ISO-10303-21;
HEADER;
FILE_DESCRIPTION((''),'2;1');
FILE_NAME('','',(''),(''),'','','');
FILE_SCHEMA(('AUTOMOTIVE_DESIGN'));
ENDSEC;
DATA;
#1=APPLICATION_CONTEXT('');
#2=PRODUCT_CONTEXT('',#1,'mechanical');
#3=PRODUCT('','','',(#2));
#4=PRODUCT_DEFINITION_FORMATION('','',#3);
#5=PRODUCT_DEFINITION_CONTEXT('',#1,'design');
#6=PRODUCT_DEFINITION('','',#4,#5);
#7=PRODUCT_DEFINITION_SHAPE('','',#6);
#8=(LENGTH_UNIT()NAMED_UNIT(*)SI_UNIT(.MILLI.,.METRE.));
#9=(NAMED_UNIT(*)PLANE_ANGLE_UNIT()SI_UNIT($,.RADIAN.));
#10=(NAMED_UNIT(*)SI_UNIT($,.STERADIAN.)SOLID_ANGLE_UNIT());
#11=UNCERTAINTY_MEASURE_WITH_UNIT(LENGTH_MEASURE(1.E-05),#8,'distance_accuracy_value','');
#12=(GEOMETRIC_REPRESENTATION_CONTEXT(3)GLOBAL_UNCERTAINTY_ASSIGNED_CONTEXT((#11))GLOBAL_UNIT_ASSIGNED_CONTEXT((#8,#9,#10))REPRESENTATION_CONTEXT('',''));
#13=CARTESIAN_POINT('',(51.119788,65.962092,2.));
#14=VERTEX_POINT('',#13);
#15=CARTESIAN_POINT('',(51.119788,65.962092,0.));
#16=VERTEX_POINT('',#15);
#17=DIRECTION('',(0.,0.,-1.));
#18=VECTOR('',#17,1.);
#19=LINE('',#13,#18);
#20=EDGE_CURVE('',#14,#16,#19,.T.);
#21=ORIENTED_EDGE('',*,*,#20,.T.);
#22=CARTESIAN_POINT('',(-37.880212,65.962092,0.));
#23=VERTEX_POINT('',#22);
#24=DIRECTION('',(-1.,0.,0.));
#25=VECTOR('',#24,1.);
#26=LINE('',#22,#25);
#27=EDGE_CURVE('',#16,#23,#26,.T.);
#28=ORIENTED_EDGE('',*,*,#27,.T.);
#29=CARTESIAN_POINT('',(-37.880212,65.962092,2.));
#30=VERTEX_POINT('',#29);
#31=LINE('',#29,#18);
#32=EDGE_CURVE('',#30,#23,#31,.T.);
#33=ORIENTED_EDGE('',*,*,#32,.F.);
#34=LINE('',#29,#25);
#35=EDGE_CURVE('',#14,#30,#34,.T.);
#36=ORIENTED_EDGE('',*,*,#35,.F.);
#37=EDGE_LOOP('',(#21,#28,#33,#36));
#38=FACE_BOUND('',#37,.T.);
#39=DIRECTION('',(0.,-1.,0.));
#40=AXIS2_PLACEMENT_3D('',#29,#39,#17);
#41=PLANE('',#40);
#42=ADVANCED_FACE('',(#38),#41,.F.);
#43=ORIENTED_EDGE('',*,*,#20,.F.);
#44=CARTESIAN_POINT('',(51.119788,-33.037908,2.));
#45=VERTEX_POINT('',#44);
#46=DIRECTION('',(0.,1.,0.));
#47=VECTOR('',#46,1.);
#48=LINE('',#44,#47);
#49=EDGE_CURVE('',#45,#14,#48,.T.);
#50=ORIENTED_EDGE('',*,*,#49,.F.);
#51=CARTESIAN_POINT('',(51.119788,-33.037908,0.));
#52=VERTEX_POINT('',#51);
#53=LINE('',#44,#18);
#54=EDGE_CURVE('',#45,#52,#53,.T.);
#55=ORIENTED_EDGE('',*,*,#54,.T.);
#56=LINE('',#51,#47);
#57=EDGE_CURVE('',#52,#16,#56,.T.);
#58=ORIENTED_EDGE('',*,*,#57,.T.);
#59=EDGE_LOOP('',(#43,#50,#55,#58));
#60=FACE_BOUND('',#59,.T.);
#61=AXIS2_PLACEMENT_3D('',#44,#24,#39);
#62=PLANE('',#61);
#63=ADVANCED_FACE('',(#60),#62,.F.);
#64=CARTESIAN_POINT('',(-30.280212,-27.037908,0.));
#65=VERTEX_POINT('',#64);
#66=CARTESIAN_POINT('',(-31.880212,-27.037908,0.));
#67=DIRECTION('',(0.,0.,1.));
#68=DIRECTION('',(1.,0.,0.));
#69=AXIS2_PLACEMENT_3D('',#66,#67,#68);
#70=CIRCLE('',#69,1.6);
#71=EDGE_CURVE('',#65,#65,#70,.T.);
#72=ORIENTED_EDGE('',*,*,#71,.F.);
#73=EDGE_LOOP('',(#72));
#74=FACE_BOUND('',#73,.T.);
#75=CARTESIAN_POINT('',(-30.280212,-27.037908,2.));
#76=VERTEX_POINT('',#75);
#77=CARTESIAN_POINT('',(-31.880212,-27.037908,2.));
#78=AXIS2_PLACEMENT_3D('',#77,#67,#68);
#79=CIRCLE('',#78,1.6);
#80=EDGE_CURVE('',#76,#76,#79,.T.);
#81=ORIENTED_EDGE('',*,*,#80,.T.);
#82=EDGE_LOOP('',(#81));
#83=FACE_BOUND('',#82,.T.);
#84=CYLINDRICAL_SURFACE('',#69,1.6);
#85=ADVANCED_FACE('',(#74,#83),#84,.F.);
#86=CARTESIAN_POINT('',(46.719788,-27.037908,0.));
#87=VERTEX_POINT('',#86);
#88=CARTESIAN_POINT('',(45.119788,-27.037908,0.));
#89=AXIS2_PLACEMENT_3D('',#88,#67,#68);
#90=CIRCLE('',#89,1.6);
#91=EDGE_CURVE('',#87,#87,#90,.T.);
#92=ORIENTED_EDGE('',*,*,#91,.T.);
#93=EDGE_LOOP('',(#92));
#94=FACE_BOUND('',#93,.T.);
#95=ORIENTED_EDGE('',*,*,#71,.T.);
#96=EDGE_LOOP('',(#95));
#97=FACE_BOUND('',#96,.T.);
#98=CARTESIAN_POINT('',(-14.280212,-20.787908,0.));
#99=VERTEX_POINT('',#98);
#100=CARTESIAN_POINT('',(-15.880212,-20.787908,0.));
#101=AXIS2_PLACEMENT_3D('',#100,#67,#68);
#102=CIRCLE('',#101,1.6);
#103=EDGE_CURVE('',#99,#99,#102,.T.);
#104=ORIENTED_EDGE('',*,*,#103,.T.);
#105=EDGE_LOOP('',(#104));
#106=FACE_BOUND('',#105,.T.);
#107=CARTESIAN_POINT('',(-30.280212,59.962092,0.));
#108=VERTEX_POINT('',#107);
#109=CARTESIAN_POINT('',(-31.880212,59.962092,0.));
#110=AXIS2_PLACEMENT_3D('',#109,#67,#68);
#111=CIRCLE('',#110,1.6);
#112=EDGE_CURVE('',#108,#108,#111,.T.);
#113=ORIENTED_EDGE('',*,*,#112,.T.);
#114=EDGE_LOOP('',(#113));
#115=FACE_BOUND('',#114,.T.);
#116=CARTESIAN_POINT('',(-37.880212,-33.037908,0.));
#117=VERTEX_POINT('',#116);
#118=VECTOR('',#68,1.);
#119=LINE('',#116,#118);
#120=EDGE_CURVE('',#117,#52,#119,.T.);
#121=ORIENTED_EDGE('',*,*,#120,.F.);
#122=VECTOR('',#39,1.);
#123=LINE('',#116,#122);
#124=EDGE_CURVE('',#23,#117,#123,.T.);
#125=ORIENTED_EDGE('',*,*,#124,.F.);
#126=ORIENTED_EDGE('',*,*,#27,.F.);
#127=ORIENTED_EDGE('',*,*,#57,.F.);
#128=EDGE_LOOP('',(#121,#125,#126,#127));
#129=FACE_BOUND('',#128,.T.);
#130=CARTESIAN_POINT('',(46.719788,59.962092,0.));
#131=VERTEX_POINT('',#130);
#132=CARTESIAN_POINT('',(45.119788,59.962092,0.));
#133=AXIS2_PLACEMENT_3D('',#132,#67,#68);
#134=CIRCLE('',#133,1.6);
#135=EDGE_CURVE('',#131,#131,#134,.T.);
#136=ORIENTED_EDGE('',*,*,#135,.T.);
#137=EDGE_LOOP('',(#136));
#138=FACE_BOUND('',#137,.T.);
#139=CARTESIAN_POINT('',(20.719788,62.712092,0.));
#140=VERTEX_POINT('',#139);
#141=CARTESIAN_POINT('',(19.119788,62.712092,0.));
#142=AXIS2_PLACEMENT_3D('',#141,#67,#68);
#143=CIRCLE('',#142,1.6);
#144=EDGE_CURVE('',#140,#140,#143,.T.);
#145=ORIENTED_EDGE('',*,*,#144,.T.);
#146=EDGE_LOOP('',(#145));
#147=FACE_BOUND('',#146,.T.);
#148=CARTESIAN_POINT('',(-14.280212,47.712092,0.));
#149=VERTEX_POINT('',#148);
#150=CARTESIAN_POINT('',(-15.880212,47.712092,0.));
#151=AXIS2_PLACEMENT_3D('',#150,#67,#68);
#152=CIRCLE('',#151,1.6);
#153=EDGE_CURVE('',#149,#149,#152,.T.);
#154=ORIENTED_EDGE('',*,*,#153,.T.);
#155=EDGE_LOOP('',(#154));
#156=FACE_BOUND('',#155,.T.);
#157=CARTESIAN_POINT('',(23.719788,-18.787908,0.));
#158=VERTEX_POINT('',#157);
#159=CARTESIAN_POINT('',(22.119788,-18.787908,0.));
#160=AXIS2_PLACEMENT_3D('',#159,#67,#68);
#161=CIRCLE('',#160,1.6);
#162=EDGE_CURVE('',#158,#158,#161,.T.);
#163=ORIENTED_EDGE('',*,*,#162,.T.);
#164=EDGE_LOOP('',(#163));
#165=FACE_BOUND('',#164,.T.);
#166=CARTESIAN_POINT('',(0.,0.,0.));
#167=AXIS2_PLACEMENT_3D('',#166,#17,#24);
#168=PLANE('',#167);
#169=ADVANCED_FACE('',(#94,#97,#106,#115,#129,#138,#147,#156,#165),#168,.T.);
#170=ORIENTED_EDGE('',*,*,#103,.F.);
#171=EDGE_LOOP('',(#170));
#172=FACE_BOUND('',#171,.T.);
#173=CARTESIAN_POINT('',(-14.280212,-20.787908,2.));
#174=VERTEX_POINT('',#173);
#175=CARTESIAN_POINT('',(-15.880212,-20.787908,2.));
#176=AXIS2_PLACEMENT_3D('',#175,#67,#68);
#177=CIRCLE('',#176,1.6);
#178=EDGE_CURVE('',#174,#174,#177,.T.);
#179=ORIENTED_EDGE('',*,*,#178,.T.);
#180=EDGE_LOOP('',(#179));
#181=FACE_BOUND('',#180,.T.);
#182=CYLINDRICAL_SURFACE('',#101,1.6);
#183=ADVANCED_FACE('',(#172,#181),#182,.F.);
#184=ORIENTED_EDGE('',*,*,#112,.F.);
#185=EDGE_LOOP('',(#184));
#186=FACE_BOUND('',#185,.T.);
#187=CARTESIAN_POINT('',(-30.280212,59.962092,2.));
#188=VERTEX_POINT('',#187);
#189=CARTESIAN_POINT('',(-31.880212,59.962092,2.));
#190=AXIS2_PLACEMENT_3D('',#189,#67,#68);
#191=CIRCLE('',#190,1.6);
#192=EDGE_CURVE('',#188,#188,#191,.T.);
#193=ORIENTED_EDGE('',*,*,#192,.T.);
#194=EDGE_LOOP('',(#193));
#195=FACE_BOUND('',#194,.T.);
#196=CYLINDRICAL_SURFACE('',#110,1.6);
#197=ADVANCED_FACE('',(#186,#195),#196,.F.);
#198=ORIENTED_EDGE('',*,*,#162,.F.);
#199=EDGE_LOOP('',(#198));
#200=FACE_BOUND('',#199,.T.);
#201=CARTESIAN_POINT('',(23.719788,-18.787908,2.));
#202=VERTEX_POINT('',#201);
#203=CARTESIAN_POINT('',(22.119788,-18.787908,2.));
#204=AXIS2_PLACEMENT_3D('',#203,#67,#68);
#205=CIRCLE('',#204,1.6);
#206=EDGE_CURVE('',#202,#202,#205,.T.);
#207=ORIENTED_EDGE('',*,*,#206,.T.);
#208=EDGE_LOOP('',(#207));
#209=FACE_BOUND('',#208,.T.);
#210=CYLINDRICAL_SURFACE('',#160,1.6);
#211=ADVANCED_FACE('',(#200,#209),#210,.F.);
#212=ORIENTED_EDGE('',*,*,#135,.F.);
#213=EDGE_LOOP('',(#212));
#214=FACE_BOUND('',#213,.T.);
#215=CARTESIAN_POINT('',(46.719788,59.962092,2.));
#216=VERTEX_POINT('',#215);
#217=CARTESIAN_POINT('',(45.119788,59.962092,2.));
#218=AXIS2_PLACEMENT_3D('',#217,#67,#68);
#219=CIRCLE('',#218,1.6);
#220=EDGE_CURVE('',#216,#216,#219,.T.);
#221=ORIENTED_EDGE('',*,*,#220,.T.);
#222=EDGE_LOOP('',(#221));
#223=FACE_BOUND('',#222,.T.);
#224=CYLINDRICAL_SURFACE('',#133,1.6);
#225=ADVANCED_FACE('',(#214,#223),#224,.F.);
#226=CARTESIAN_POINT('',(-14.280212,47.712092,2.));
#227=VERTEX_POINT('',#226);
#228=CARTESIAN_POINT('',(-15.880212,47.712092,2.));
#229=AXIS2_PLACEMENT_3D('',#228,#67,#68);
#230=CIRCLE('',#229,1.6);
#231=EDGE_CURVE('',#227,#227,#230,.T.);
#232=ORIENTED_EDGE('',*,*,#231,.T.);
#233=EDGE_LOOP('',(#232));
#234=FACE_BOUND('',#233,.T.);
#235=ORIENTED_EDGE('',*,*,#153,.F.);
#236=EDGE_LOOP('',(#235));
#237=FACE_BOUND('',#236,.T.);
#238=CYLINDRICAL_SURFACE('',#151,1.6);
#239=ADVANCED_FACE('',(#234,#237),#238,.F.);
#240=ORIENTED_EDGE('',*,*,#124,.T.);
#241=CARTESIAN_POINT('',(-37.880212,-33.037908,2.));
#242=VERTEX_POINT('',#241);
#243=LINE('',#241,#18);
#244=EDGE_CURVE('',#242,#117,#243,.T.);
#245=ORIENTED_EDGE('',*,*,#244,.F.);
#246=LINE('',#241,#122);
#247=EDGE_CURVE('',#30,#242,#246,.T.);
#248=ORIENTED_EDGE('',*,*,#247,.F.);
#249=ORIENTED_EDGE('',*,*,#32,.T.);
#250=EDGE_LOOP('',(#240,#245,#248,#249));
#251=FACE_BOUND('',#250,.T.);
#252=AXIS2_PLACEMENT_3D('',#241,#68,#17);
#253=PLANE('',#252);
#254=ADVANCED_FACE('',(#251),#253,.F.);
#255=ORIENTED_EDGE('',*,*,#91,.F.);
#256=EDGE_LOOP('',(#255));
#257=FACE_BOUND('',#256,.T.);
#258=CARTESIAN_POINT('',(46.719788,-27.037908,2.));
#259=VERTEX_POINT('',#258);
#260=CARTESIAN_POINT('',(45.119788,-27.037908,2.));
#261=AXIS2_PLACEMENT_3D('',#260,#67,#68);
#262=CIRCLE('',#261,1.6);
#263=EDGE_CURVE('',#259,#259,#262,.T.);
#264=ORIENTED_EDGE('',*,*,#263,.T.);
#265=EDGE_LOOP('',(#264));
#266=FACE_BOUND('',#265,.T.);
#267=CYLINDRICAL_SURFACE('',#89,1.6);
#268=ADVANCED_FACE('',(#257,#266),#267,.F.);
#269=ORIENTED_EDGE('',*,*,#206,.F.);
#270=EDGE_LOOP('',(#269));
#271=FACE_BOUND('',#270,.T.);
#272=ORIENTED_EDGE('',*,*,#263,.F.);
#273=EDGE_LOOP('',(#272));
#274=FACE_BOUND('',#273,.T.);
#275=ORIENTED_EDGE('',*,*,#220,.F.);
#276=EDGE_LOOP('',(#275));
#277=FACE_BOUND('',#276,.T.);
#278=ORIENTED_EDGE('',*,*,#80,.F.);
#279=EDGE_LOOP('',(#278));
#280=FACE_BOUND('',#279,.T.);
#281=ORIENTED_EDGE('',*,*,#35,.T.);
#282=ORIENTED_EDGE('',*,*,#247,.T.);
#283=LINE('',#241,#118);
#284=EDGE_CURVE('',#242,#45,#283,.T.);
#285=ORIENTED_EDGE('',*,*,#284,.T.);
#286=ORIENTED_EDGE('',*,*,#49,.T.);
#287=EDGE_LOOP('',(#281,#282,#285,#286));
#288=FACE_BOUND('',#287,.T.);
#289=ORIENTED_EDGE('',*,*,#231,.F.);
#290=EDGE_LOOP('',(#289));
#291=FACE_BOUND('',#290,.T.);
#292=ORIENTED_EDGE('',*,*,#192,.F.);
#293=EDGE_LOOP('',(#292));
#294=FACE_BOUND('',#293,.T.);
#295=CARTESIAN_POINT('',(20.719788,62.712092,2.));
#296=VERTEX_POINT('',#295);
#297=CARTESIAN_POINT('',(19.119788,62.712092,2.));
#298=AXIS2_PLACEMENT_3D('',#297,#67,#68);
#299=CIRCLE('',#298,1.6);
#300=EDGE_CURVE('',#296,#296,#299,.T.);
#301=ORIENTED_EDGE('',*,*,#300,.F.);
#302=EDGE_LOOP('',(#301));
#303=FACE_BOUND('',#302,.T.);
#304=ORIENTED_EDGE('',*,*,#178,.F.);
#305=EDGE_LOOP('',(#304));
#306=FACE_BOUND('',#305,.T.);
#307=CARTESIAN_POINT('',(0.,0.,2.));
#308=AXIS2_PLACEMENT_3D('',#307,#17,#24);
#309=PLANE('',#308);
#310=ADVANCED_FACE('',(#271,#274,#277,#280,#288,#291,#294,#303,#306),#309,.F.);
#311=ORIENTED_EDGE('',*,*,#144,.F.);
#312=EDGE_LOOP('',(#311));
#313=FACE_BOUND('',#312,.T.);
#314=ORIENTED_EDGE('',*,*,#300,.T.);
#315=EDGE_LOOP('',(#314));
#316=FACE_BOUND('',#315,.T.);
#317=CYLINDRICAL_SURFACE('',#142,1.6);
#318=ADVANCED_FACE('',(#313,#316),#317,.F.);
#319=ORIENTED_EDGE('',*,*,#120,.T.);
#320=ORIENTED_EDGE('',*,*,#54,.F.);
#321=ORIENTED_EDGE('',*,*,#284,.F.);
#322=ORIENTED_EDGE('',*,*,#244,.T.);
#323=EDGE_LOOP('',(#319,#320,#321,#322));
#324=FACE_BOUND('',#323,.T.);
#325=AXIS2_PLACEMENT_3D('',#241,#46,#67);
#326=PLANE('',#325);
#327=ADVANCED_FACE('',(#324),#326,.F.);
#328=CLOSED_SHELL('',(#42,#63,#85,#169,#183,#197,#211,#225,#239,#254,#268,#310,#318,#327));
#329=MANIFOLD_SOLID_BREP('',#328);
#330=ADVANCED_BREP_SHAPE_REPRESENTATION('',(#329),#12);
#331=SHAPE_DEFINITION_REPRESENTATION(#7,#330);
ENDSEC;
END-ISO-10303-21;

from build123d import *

# Parameters (mm, degrees)
SKETCH1_W           = 89
SKETCH1_H           = 99
BOSS_EXTRUDE1_DEPTH = 2
SKETCH2_R           = 1.6
CUT_EXTRUDE1_DEPTH  = 84.475926876
SKETCH3_R           = 1.6
CUT_EXTRUDE2_DEPTH  = 84.475926876


with BuildPart() as part:
    # Sketch1 → Boss-Extrude1 (new body)
    with BuildSketch(Plane.XY):
        with Locations((6.61978802, 16.462092452)):
            Rectangle(SKETCH1_W, SKETCH1_H)
    extrude(amount=BOSS_EXTRUDE1_DEPTH)

    # Sketch2 → Cut-Extrude1 (cut, through all)
    with BuildSketch(Plane.XY.offset(2)):
        with Locations((-31.88021198, 59.962092452)):
            Circle(SKETCH2_R)
        with Locations((45.11978802, 59.962092452)):
            Circle(SKETCH2_R)
        with Locations((-31.88021198, -27.037907548)):
            Circle(SKETCH2_R)
        with Locations((45.11978802, -27.037907548)):
            Circle(SKETCH2_R)
    extrude(amount=-CUT_EXTRUDE1_DEPTH, mode=Mode.SUBTRACT)

    # Sketch3 → Cut-Extrude2 (cut, through all)
    with BuildSketch(Plane.XY.offset(2)):
        with Locations((-15.88021198, 47.712092452)):
            Circle(SKETCH3_R)
        with Locations((-15.88021198, -20.787907548)):
            Circle(SKETCH3_R)
        with Locations((19.11978802, 62.712092452)):
            Circle(SKETCH3_R)
        with Locations((22.11978802, -18.787907548)):
            Circle(SKETCH3_R)
    extrude(amount=-CUT_EXTRUDE2_DEPTH, mode=Mode.SUBTRACT)


solid = part.part
